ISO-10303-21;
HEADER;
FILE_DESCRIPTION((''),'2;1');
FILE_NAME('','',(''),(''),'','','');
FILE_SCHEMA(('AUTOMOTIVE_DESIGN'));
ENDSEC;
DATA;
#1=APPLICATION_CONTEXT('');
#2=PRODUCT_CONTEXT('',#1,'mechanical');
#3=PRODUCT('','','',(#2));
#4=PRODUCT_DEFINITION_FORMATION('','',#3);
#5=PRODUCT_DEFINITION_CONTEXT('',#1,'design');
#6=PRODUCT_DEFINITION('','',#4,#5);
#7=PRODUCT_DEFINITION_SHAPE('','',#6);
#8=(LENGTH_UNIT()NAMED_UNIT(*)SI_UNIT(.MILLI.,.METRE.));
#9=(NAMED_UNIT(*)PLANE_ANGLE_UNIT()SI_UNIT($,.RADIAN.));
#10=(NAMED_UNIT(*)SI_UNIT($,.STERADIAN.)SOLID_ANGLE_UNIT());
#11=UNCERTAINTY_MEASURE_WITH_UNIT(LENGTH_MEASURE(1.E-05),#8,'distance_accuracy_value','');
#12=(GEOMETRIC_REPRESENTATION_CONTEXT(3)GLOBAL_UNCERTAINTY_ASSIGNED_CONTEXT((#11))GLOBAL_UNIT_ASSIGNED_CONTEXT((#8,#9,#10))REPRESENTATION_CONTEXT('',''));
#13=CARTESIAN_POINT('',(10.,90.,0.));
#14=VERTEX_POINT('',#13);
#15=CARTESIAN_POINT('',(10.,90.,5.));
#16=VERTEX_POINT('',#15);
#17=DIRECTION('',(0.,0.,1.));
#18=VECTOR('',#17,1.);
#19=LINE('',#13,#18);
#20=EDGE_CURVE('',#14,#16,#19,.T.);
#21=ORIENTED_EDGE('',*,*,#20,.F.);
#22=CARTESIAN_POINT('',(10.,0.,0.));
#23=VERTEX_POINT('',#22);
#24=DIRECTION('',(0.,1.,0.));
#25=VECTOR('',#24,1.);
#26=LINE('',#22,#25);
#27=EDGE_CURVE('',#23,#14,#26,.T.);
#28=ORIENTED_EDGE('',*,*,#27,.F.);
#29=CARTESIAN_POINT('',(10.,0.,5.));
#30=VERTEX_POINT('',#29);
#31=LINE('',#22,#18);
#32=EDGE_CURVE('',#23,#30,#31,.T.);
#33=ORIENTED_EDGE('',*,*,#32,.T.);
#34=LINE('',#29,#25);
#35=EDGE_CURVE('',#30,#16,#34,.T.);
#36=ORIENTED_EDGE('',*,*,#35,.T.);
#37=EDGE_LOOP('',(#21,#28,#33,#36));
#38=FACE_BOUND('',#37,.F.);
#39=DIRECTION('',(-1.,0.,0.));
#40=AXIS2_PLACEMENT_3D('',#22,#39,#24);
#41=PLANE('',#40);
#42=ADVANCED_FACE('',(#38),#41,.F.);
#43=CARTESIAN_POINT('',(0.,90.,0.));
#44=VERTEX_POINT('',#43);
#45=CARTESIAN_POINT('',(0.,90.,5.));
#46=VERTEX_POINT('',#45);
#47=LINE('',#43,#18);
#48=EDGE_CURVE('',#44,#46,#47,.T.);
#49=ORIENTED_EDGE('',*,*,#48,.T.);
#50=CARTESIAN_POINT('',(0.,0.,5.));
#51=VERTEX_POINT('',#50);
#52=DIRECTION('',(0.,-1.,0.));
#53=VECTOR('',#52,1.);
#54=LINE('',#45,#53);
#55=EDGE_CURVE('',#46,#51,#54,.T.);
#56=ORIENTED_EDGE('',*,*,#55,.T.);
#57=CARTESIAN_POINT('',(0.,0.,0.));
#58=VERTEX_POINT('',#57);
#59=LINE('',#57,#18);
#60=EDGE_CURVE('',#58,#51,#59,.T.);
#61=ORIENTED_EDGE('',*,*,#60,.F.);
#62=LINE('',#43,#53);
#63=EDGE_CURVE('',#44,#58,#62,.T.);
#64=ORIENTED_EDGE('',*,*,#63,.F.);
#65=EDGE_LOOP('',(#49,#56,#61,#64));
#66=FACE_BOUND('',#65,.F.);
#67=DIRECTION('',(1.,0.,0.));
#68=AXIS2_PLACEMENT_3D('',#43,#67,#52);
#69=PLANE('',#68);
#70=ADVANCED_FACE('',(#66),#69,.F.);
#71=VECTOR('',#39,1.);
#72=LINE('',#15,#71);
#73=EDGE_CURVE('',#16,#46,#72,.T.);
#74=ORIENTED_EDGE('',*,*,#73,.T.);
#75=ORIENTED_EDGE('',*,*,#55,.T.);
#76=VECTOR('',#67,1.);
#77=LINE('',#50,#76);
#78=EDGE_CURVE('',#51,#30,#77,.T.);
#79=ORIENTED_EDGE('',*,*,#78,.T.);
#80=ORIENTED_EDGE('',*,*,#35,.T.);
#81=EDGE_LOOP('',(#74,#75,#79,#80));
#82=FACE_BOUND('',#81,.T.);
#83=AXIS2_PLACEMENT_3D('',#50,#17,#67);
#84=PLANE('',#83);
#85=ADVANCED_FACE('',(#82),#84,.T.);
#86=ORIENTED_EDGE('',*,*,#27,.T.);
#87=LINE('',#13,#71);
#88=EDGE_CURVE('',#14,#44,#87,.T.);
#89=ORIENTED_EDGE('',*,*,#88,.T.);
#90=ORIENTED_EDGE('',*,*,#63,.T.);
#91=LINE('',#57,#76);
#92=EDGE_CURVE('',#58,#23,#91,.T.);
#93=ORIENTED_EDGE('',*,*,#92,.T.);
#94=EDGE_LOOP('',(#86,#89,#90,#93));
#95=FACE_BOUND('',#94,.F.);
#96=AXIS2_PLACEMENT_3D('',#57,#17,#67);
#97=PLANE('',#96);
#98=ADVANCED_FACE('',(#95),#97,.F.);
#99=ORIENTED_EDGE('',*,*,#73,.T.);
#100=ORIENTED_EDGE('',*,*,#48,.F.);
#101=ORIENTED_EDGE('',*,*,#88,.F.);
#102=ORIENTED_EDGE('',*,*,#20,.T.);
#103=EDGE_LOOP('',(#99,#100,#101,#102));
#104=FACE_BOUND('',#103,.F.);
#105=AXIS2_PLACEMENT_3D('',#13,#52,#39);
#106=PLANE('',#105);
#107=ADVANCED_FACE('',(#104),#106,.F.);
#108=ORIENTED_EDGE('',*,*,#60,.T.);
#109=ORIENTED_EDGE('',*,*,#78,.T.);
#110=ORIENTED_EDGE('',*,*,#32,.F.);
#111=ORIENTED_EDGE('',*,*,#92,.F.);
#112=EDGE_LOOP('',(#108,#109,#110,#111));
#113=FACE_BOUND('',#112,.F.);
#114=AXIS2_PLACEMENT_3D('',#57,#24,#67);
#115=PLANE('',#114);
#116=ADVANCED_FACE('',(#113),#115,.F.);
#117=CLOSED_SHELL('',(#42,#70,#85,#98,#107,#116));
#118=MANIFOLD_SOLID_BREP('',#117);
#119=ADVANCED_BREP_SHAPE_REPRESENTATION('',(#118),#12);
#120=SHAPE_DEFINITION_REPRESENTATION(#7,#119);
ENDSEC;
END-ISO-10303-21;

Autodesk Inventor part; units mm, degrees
ref_plane "YZ Plane" through (0, 0, 0) normal (1, 0, 0) x (0, 1, 0)
ref_plane "XZ Plane" through (0, 0, 0) normal (0, 1, 0) x (-1, 0, 0)
ref_plane "XY Plane" through (0, 0, 0) normal (0, 0, 1) x (1, 0, 0)
sketch "Sketch1" plane through (0, 0, 0) normal (0, 0, 1) x (1, 0, 0)
  line L0 (0, 0) -> (10, 0)
  line L1 (10, 0) -> (10, 90)
  line L2 (10, 90) -> (0, 90)
  line L3 (0, 90) -> (0, 0)
  dimension "d0" = 10
  dimension "d1" = 90
extrude "Extrusion1" add sketch "Sketch1" along normal blind 5
equation "\"d0\" = bracketw"
equation "\"d1\" = sensorsupportl - bracketw"
equation "\"d2\" = pvct"
equation "\"lcsd\" = 19.05"
equation "\"lcwd1\" = 25"
equation "\"lcwd2\" = 34"
equation "\"lch1\" = 39"
equation "\"lcwd3\" = 43"
equation "\"dia1\" = 6"
equation "\"td\" = 18"
equation "\"bhh\" = 6"
equation "\"sw\" = 25"
equation "\"sh\" = 31"
equation "\"spacert\" = 2"
equation "\"pvct\" = 5"
equation "\"tankl\" = 379"
equation "\"dia3\" = 8"
equation "\"dia4\" = 11"
equation "\"play\" = 9"
equation "\"holeh\" = 26"
equation "\"surroundt\" = 5"
equation "\"slack\" = 0.5"
equation "\"play2\" = 3"
equation "\"diaoverflow\" = 25"
equation "\"diacucl\" = 32"
equation "\"diawater\" = 25"
equation "\"diaph\" = 32"
equation "\"diaair\" = 32"
equation "\"diasurroundhole\" = 42"
equation "\"diagrate\" = 12"
equation "\"sensorsupportl\" = 100"
equation "\"gratespacing\" = 12.02082"
equation "\"bottomdist\" = 9.6355"
equation "\"sidedist\" = 13.9375"
equation "\"diahcl\" = 32"
equation "\"bracketw\" = 10"
equation "\"bracketwtop\" = 6"
equation "\"bracketwbottom\" = 6"
equation "\"nett\" = 1"
equation "\"nethole\" = 16"
equation "\"netside\" = 3.5"
equation "\"nettop\" = 7"
equation "\"netholespacing\" = 2"
equation "\"diaetape\" = 32"
properties part number "tank_front" material "PVC-Piping"
